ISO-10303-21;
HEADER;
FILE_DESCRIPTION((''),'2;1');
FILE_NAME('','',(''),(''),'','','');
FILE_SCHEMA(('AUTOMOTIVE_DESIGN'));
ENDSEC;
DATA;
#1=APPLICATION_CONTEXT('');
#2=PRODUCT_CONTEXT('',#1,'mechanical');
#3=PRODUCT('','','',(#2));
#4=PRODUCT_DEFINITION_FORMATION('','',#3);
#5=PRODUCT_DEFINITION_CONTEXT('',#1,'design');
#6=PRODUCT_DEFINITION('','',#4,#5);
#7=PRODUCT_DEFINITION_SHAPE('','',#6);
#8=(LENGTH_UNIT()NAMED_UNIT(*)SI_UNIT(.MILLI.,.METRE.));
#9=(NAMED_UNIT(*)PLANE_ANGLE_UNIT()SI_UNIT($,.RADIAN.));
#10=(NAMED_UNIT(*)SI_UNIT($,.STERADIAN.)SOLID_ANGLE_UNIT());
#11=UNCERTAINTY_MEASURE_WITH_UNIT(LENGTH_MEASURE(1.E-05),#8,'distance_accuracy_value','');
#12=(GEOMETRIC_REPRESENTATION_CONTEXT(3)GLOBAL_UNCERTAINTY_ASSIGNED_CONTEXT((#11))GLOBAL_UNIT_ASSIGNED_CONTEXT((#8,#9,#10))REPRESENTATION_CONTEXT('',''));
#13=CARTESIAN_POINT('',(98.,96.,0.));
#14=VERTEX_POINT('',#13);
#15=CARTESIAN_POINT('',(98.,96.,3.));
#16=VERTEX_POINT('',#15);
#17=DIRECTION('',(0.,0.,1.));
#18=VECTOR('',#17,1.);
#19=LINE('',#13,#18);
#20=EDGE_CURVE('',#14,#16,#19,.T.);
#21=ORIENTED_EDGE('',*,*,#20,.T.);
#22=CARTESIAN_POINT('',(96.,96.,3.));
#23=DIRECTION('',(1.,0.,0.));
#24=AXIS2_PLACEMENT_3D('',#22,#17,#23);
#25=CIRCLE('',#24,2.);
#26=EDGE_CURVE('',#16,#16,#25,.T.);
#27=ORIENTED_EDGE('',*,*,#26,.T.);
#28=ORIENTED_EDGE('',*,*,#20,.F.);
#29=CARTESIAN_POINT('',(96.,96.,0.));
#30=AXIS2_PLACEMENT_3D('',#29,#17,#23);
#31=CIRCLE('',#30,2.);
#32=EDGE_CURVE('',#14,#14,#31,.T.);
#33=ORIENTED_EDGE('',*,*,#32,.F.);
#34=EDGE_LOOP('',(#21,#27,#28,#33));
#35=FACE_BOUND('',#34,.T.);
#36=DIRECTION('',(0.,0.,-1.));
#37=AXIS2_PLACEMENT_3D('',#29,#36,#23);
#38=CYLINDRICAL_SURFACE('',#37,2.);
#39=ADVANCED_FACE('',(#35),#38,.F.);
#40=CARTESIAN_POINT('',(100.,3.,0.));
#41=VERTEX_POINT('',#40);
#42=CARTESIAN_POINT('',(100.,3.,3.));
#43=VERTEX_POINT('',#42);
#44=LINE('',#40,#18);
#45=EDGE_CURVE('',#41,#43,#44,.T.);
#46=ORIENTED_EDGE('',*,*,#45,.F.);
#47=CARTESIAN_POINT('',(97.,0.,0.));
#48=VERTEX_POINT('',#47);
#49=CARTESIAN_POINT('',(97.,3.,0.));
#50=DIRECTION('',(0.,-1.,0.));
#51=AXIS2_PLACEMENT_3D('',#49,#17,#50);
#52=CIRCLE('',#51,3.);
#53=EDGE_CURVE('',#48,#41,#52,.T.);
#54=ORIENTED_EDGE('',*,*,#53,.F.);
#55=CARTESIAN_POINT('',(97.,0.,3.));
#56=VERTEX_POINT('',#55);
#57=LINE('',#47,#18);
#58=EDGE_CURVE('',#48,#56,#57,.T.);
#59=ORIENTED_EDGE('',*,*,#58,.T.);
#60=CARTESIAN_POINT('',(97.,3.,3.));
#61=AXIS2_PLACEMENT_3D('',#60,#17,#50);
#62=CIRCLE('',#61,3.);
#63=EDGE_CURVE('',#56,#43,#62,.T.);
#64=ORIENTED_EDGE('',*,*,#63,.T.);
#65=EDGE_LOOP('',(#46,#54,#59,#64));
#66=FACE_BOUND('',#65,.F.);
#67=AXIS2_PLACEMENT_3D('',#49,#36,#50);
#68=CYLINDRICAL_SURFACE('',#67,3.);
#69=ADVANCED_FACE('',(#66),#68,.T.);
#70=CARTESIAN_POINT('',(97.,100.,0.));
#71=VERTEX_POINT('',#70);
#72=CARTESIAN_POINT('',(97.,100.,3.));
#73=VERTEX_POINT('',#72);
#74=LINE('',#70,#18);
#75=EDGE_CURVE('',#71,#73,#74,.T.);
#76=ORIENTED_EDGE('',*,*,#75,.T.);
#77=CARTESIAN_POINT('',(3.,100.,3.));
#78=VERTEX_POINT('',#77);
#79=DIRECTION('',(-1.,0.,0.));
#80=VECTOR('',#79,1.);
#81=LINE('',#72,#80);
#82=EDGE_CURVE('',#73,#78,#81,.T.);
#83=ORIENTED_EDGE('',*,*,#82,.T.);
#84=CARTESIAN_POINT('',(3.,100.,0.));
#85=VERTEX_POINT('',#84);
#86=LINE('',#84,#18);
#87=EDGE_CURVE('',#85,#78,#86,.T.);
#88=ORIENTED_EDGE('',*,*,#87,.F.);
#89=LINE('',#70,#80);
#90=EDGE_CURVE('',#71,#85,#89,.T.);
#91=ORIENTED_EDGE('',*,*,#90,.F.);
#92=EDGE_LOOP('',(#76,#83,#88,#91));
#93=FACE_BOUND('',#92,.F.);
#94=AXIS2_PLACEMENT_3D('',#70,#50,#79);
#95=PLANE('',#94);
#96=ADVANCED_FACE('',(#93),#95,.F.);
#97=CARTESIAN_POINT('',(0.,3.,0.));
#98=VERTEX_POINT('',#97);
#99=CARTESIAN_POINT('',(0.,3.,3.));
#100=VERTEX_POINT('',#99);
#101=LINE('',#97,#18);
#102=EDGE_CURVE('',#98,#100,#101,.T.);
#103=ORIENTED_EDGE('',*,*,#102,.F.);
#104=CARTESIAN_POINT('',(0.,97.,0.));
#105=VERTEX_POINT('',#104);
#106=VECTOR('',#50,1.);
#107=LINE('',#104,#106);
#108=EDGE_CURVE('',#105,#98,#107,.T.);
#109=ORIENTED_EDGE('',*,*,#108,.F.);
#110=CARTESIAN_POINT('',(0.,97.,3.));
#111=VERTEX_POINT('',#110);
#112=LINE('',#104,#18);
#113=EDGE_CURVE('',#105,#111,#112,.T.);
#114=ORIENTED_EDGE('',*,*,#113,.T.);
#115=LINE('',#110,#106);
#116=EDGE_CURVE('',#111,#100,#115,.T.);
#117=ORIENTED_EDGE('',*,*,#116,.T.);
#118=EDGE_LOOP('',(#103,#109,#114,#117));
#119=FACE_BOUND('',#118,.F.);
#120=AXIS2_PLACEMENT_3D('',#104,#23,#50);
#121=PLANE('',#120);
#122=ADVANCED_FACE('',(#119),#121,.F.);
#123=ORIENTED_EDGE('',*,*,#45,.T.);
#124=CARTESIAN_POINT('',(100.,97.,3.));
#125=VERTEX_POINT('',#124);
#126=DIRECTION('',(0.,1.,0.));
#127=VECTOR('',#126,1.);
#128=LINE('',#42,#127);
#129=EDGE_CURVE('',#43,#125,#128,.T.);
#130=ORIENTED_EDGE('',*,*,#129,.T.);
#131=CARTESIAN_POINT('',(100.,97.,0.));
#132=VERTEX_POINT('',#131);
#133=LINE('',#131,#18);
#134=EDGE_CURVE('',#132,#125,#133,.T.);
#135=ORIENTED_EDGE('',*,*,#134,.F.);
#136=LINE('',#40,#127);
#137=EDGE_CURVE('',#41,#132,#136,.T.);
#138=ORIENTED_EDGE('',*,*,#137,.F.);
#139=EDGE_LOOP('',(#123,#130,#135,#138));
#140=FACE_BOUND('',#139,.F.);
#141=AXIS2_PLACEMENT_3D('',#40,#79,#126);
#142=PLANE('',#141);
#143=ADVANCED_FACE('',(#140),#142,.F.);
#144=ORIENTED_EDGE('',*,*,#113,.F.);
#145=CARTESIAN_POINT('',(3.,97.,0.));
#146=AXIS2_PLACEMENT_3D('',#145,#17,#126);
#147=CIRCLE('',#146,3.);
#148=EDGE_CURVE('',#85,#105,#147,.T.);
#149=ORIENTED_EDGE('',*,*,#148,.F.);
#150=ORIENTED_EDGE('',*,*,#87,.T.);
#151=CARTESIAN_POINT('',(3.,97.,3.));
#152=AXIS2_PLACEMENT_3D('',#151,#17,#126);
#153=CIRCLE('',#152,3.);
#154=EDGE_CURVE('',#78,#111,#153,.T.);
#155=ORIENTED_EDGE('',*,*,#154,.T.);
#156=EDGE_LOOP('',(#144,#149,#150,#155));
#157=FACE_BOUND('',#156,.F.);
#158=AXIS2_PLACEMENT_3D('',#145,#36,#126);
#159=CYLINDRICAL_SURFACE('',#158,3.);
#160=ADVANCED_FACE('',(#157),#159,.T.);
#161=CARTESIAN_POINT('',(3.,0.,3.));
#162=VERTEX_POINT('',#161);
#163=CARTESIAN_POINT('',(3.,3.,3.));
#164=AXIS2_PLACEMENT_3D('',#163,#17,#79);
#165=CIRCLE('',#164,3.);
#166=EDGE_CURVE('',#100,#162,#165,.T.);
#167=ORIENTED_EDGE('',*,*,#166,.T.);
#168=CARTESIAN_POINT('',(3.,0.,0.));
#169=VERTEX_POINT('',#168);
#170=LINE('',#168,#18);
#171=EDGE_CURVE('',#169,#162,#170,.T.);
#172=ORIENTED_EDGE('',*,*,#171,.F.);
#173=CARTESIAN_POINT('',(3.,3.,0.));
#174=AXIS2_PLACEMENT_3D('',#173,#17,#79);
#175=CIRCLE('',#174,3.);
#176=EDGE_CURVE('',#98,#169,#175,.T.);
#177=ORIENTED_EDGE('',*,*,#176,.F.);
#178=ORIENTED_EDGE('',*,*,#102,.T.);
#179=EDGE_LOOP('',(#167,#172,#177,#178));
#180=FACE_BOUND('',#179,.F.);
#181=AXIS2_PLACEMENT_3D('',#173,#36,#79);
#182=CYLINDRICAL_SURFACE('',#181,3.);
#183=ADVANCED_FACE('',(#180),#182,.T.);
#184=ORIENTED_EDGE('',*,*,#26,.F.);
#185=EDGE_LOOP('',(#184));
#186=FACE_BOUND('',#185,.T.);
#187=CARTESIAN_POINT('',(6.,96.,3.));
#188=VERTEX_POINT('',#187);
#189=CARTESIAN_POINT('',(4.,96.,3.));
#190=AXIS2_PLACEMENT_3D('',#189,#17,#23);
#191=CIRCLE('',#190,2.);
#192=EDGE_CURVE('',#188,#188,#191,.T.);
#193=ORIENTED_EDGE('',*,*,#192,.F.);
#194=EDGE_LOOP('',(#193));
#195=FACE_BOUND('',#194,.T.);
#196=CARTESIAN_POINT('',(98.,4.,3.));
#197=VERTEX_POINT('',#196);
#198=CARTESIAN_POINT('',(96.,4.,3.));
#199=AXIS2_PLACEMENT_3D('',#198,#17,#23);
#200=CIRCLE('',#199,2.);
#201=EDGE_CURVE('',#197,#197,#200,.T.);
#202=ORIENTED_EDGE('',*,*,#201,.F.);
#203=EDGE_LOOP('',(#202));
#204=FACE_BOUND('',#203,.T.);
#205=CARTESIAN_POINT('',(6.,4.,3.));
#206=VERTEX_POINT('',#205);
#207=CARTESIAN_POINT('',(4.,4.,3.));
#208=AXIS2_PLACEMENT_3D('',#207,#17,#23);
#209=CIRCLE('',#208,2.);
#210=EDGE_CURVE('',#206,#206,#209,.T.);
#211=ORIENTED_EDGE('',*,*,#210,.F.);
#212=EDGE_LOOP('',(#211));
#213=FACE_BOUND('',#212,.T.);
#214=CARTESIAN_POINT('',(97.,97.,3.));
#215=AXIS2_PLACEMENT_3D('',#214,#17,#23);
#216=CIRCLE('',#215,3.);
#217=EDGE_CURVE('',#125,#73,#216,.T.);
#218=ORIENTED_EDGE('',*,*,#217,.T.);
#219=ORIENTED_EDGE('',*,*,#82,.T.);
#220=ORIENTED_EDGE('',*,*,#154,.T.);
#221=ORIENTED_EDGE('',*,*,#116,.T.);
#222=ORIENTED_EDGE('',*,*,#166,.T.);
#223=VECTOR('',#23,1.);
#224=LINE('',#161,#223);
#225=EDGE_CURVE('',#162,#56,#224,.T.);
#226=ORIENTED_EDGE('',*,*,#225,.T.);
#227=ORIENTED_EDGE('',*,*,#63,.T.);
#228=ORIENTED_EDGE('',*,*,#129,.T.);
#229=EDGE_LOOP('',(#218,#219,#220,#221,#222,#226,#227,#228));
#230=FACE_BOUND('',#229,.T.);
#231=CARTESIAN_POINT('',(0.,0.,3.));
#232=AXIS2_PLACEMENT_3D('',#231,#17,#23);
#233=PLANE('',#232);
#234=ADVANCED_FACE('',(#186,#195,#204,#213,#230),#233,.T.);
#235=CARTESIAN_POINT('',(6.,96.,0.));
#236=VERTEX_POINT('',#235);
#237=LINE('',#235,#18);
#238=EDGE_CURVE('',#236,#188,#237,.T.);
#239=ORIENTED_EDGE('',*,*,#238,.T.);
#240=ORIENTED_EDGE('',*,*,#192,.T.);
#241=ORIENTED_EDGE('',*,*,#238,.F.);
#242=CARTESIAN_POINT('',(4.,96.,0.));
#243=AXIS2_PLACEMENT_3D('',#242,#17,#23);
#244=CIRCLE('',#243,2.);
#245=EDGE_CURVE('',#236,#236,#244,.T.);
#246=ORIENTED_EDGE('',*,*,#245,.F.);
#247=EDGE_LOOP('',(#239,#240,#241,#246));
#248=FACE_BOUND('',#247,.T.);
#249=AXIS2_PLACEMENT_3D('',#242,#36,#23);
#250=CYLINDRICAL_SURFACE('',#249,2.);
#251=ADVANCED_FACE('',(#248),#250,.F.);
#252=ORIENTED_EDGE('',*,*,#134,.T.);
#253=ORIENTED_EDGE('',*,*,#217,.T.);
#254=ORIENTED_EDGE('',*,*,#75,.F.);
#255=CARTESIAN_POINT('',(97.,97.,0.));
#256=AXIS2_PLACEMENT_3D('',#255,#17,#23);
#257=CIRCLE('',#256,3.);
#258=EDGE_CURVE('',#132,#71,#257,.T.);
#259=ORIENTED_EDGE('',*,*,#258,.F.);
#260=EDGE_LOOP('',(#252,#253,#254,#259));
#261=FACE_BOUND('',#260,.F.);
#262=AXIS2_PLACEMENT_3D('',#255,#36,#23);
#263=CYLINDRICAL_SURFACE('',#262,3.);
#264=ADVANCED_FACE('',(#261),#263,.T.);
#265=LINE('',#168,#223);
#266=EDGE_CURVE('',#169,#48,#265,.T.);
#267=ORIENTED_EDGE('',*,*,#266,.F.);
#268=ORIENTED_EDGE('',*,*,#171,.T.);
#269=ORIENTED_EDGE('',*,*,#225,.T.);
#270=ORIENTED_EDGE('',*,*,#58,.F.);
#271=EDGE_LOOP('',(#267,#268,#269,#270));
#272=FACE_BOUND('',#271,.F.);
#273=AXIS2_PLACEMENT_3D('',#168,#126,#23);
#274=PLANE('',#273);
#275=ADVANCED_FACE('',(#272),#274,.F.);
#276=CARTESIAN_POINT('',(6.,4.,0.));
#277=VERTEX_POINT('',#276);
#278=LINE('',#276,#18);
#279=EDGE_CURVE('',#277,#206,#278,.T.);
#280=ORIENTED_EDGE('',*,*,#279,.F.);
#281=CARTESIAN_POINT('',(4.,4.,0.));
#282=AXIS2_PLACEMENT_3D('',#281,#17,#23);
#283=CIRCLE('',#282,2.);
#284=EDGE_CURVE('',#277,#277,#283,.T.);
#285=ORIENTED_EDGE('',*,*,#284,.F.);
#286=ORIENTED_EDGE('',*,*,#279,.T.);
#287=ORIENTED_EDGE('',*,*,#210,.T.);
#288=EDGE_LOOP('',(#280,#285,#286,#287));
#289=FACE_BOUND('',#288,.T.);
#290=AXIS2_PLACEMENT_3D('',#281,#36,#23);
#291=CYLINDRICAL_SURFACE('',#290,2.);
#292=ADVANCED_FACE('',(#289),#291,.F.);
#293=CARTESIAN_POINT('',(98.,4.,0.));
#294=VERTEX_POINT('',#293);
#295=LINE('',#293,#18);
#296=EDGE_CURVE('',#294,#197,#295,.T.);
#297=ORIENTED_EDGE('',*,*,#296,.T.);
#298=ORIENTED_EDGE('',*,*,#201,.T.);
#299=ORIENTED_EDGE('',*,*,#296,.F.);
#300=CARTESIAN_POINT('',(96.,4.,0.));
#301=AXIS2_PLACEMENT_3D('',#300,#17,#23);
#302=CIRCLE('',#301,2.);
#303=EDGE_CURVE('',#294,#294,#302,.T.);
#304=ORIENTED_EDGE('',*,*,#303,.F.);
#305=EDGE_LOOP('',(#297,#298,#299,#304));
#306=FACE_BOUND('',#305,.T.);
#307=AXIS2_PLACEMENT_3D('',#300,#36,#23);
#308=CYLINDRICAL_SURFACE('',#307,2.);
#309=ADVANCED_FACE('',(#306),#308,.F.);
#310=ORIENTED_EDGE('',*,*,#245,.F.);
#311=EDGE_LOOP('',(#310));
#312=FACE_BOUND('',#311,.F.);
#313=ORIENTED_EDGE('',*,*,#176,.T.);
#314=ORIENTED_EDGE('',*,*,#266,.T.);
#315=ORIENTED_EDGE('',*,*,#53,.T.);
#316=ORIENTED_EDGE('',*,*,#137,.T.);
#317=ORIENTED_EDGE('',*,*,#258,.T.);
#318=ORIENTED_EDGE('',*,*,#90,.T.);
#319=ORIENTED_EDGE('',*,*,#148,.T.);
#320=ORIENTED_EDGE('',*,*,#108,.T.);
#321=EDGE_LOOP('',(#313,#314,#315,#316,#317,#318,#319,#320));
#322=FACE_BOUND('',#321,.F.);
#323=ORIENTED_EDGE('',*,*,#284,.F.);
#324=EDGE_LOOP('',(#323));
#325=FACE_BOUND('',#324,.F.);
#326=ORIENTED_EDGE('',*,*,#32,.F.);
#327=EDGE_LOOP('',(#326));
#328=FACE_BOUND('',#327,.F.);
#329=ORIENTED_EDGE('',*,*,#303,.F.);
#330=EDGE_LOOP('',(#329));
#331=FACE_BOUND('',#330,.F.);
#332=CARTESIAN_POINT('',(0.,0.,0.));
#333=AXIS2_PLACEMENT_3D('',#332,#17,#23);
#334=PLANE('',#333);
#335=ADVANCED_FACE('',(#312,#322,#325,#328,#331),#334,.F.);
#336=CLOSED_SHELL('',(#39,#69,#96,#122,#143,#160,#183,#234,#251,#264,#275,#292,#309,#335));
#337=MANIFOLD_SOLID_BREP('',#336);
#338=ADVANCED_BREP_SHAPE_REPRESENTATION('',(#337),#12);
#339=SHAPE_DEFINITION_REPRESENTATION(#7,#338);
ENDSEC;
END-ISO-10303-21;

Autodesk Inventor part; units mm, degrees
ref_plane "YZ Plane" through (0, 0, 0) normal (1, 0, 0) x (0, 1, 0)
ref_plane "XZ Plane" through (0, 0, 0) normal (0, 1, 0) x (-1, 0, 0)
ref_plane "XY Plane" through (0, 0, 0) normal (0, 0, 1) x (1, 0, 0)
sketch "Sketch1" plane through (0, 0, 0) normal (0, 0, 1) x (1, 0, 0)
  line L0 (3, 0) -> (97, 0)
  line L1 (100, 3) -> (100, 97)
  line L2 (97, 100) -> (3, 100)
  line L3 (0, 97) -> (0, 3)
  line L4 (4, 96) -> (96, 96) construction
  line L5 (96, 96) -> (96, 4) construction
  line L6 (96, 4) -> (4, 4) construction
  line L7 (4, 4) -> (4, 96) construction
  arc A0 (3, 100) -> (0, 97) centre (3, 97) ccw
  arc A1 (0, 3) -> (3, 0) centre (3, 3) ccw
  arc A2 (97, 0) -> (100, 3) centre (97, 3) ccw
  arc A3 (100, 97) -> (97, 100) centre (97, 97) ccw
  circle A4 centre (4, 96) radius 2
  circle A5 centre (96, 96) radius 2
  circle A6 centre (4, 4) radius 2
  circle A7 centre (96, 4) radius 2
  point P0 (0, 0)
  point P1 (100, 100)
  point P2 (100, 0)
  point P3 (0, 100)
  dimension "d0" = 100
  dimension "d1" = 100
  dimension "d4" = 4
  dimension "d5" = 3
  dimension "d6" = 4
extrude "Extrusion2" add sketch "Sketch1" along normal blind 3
properties part number "INFORCE"
